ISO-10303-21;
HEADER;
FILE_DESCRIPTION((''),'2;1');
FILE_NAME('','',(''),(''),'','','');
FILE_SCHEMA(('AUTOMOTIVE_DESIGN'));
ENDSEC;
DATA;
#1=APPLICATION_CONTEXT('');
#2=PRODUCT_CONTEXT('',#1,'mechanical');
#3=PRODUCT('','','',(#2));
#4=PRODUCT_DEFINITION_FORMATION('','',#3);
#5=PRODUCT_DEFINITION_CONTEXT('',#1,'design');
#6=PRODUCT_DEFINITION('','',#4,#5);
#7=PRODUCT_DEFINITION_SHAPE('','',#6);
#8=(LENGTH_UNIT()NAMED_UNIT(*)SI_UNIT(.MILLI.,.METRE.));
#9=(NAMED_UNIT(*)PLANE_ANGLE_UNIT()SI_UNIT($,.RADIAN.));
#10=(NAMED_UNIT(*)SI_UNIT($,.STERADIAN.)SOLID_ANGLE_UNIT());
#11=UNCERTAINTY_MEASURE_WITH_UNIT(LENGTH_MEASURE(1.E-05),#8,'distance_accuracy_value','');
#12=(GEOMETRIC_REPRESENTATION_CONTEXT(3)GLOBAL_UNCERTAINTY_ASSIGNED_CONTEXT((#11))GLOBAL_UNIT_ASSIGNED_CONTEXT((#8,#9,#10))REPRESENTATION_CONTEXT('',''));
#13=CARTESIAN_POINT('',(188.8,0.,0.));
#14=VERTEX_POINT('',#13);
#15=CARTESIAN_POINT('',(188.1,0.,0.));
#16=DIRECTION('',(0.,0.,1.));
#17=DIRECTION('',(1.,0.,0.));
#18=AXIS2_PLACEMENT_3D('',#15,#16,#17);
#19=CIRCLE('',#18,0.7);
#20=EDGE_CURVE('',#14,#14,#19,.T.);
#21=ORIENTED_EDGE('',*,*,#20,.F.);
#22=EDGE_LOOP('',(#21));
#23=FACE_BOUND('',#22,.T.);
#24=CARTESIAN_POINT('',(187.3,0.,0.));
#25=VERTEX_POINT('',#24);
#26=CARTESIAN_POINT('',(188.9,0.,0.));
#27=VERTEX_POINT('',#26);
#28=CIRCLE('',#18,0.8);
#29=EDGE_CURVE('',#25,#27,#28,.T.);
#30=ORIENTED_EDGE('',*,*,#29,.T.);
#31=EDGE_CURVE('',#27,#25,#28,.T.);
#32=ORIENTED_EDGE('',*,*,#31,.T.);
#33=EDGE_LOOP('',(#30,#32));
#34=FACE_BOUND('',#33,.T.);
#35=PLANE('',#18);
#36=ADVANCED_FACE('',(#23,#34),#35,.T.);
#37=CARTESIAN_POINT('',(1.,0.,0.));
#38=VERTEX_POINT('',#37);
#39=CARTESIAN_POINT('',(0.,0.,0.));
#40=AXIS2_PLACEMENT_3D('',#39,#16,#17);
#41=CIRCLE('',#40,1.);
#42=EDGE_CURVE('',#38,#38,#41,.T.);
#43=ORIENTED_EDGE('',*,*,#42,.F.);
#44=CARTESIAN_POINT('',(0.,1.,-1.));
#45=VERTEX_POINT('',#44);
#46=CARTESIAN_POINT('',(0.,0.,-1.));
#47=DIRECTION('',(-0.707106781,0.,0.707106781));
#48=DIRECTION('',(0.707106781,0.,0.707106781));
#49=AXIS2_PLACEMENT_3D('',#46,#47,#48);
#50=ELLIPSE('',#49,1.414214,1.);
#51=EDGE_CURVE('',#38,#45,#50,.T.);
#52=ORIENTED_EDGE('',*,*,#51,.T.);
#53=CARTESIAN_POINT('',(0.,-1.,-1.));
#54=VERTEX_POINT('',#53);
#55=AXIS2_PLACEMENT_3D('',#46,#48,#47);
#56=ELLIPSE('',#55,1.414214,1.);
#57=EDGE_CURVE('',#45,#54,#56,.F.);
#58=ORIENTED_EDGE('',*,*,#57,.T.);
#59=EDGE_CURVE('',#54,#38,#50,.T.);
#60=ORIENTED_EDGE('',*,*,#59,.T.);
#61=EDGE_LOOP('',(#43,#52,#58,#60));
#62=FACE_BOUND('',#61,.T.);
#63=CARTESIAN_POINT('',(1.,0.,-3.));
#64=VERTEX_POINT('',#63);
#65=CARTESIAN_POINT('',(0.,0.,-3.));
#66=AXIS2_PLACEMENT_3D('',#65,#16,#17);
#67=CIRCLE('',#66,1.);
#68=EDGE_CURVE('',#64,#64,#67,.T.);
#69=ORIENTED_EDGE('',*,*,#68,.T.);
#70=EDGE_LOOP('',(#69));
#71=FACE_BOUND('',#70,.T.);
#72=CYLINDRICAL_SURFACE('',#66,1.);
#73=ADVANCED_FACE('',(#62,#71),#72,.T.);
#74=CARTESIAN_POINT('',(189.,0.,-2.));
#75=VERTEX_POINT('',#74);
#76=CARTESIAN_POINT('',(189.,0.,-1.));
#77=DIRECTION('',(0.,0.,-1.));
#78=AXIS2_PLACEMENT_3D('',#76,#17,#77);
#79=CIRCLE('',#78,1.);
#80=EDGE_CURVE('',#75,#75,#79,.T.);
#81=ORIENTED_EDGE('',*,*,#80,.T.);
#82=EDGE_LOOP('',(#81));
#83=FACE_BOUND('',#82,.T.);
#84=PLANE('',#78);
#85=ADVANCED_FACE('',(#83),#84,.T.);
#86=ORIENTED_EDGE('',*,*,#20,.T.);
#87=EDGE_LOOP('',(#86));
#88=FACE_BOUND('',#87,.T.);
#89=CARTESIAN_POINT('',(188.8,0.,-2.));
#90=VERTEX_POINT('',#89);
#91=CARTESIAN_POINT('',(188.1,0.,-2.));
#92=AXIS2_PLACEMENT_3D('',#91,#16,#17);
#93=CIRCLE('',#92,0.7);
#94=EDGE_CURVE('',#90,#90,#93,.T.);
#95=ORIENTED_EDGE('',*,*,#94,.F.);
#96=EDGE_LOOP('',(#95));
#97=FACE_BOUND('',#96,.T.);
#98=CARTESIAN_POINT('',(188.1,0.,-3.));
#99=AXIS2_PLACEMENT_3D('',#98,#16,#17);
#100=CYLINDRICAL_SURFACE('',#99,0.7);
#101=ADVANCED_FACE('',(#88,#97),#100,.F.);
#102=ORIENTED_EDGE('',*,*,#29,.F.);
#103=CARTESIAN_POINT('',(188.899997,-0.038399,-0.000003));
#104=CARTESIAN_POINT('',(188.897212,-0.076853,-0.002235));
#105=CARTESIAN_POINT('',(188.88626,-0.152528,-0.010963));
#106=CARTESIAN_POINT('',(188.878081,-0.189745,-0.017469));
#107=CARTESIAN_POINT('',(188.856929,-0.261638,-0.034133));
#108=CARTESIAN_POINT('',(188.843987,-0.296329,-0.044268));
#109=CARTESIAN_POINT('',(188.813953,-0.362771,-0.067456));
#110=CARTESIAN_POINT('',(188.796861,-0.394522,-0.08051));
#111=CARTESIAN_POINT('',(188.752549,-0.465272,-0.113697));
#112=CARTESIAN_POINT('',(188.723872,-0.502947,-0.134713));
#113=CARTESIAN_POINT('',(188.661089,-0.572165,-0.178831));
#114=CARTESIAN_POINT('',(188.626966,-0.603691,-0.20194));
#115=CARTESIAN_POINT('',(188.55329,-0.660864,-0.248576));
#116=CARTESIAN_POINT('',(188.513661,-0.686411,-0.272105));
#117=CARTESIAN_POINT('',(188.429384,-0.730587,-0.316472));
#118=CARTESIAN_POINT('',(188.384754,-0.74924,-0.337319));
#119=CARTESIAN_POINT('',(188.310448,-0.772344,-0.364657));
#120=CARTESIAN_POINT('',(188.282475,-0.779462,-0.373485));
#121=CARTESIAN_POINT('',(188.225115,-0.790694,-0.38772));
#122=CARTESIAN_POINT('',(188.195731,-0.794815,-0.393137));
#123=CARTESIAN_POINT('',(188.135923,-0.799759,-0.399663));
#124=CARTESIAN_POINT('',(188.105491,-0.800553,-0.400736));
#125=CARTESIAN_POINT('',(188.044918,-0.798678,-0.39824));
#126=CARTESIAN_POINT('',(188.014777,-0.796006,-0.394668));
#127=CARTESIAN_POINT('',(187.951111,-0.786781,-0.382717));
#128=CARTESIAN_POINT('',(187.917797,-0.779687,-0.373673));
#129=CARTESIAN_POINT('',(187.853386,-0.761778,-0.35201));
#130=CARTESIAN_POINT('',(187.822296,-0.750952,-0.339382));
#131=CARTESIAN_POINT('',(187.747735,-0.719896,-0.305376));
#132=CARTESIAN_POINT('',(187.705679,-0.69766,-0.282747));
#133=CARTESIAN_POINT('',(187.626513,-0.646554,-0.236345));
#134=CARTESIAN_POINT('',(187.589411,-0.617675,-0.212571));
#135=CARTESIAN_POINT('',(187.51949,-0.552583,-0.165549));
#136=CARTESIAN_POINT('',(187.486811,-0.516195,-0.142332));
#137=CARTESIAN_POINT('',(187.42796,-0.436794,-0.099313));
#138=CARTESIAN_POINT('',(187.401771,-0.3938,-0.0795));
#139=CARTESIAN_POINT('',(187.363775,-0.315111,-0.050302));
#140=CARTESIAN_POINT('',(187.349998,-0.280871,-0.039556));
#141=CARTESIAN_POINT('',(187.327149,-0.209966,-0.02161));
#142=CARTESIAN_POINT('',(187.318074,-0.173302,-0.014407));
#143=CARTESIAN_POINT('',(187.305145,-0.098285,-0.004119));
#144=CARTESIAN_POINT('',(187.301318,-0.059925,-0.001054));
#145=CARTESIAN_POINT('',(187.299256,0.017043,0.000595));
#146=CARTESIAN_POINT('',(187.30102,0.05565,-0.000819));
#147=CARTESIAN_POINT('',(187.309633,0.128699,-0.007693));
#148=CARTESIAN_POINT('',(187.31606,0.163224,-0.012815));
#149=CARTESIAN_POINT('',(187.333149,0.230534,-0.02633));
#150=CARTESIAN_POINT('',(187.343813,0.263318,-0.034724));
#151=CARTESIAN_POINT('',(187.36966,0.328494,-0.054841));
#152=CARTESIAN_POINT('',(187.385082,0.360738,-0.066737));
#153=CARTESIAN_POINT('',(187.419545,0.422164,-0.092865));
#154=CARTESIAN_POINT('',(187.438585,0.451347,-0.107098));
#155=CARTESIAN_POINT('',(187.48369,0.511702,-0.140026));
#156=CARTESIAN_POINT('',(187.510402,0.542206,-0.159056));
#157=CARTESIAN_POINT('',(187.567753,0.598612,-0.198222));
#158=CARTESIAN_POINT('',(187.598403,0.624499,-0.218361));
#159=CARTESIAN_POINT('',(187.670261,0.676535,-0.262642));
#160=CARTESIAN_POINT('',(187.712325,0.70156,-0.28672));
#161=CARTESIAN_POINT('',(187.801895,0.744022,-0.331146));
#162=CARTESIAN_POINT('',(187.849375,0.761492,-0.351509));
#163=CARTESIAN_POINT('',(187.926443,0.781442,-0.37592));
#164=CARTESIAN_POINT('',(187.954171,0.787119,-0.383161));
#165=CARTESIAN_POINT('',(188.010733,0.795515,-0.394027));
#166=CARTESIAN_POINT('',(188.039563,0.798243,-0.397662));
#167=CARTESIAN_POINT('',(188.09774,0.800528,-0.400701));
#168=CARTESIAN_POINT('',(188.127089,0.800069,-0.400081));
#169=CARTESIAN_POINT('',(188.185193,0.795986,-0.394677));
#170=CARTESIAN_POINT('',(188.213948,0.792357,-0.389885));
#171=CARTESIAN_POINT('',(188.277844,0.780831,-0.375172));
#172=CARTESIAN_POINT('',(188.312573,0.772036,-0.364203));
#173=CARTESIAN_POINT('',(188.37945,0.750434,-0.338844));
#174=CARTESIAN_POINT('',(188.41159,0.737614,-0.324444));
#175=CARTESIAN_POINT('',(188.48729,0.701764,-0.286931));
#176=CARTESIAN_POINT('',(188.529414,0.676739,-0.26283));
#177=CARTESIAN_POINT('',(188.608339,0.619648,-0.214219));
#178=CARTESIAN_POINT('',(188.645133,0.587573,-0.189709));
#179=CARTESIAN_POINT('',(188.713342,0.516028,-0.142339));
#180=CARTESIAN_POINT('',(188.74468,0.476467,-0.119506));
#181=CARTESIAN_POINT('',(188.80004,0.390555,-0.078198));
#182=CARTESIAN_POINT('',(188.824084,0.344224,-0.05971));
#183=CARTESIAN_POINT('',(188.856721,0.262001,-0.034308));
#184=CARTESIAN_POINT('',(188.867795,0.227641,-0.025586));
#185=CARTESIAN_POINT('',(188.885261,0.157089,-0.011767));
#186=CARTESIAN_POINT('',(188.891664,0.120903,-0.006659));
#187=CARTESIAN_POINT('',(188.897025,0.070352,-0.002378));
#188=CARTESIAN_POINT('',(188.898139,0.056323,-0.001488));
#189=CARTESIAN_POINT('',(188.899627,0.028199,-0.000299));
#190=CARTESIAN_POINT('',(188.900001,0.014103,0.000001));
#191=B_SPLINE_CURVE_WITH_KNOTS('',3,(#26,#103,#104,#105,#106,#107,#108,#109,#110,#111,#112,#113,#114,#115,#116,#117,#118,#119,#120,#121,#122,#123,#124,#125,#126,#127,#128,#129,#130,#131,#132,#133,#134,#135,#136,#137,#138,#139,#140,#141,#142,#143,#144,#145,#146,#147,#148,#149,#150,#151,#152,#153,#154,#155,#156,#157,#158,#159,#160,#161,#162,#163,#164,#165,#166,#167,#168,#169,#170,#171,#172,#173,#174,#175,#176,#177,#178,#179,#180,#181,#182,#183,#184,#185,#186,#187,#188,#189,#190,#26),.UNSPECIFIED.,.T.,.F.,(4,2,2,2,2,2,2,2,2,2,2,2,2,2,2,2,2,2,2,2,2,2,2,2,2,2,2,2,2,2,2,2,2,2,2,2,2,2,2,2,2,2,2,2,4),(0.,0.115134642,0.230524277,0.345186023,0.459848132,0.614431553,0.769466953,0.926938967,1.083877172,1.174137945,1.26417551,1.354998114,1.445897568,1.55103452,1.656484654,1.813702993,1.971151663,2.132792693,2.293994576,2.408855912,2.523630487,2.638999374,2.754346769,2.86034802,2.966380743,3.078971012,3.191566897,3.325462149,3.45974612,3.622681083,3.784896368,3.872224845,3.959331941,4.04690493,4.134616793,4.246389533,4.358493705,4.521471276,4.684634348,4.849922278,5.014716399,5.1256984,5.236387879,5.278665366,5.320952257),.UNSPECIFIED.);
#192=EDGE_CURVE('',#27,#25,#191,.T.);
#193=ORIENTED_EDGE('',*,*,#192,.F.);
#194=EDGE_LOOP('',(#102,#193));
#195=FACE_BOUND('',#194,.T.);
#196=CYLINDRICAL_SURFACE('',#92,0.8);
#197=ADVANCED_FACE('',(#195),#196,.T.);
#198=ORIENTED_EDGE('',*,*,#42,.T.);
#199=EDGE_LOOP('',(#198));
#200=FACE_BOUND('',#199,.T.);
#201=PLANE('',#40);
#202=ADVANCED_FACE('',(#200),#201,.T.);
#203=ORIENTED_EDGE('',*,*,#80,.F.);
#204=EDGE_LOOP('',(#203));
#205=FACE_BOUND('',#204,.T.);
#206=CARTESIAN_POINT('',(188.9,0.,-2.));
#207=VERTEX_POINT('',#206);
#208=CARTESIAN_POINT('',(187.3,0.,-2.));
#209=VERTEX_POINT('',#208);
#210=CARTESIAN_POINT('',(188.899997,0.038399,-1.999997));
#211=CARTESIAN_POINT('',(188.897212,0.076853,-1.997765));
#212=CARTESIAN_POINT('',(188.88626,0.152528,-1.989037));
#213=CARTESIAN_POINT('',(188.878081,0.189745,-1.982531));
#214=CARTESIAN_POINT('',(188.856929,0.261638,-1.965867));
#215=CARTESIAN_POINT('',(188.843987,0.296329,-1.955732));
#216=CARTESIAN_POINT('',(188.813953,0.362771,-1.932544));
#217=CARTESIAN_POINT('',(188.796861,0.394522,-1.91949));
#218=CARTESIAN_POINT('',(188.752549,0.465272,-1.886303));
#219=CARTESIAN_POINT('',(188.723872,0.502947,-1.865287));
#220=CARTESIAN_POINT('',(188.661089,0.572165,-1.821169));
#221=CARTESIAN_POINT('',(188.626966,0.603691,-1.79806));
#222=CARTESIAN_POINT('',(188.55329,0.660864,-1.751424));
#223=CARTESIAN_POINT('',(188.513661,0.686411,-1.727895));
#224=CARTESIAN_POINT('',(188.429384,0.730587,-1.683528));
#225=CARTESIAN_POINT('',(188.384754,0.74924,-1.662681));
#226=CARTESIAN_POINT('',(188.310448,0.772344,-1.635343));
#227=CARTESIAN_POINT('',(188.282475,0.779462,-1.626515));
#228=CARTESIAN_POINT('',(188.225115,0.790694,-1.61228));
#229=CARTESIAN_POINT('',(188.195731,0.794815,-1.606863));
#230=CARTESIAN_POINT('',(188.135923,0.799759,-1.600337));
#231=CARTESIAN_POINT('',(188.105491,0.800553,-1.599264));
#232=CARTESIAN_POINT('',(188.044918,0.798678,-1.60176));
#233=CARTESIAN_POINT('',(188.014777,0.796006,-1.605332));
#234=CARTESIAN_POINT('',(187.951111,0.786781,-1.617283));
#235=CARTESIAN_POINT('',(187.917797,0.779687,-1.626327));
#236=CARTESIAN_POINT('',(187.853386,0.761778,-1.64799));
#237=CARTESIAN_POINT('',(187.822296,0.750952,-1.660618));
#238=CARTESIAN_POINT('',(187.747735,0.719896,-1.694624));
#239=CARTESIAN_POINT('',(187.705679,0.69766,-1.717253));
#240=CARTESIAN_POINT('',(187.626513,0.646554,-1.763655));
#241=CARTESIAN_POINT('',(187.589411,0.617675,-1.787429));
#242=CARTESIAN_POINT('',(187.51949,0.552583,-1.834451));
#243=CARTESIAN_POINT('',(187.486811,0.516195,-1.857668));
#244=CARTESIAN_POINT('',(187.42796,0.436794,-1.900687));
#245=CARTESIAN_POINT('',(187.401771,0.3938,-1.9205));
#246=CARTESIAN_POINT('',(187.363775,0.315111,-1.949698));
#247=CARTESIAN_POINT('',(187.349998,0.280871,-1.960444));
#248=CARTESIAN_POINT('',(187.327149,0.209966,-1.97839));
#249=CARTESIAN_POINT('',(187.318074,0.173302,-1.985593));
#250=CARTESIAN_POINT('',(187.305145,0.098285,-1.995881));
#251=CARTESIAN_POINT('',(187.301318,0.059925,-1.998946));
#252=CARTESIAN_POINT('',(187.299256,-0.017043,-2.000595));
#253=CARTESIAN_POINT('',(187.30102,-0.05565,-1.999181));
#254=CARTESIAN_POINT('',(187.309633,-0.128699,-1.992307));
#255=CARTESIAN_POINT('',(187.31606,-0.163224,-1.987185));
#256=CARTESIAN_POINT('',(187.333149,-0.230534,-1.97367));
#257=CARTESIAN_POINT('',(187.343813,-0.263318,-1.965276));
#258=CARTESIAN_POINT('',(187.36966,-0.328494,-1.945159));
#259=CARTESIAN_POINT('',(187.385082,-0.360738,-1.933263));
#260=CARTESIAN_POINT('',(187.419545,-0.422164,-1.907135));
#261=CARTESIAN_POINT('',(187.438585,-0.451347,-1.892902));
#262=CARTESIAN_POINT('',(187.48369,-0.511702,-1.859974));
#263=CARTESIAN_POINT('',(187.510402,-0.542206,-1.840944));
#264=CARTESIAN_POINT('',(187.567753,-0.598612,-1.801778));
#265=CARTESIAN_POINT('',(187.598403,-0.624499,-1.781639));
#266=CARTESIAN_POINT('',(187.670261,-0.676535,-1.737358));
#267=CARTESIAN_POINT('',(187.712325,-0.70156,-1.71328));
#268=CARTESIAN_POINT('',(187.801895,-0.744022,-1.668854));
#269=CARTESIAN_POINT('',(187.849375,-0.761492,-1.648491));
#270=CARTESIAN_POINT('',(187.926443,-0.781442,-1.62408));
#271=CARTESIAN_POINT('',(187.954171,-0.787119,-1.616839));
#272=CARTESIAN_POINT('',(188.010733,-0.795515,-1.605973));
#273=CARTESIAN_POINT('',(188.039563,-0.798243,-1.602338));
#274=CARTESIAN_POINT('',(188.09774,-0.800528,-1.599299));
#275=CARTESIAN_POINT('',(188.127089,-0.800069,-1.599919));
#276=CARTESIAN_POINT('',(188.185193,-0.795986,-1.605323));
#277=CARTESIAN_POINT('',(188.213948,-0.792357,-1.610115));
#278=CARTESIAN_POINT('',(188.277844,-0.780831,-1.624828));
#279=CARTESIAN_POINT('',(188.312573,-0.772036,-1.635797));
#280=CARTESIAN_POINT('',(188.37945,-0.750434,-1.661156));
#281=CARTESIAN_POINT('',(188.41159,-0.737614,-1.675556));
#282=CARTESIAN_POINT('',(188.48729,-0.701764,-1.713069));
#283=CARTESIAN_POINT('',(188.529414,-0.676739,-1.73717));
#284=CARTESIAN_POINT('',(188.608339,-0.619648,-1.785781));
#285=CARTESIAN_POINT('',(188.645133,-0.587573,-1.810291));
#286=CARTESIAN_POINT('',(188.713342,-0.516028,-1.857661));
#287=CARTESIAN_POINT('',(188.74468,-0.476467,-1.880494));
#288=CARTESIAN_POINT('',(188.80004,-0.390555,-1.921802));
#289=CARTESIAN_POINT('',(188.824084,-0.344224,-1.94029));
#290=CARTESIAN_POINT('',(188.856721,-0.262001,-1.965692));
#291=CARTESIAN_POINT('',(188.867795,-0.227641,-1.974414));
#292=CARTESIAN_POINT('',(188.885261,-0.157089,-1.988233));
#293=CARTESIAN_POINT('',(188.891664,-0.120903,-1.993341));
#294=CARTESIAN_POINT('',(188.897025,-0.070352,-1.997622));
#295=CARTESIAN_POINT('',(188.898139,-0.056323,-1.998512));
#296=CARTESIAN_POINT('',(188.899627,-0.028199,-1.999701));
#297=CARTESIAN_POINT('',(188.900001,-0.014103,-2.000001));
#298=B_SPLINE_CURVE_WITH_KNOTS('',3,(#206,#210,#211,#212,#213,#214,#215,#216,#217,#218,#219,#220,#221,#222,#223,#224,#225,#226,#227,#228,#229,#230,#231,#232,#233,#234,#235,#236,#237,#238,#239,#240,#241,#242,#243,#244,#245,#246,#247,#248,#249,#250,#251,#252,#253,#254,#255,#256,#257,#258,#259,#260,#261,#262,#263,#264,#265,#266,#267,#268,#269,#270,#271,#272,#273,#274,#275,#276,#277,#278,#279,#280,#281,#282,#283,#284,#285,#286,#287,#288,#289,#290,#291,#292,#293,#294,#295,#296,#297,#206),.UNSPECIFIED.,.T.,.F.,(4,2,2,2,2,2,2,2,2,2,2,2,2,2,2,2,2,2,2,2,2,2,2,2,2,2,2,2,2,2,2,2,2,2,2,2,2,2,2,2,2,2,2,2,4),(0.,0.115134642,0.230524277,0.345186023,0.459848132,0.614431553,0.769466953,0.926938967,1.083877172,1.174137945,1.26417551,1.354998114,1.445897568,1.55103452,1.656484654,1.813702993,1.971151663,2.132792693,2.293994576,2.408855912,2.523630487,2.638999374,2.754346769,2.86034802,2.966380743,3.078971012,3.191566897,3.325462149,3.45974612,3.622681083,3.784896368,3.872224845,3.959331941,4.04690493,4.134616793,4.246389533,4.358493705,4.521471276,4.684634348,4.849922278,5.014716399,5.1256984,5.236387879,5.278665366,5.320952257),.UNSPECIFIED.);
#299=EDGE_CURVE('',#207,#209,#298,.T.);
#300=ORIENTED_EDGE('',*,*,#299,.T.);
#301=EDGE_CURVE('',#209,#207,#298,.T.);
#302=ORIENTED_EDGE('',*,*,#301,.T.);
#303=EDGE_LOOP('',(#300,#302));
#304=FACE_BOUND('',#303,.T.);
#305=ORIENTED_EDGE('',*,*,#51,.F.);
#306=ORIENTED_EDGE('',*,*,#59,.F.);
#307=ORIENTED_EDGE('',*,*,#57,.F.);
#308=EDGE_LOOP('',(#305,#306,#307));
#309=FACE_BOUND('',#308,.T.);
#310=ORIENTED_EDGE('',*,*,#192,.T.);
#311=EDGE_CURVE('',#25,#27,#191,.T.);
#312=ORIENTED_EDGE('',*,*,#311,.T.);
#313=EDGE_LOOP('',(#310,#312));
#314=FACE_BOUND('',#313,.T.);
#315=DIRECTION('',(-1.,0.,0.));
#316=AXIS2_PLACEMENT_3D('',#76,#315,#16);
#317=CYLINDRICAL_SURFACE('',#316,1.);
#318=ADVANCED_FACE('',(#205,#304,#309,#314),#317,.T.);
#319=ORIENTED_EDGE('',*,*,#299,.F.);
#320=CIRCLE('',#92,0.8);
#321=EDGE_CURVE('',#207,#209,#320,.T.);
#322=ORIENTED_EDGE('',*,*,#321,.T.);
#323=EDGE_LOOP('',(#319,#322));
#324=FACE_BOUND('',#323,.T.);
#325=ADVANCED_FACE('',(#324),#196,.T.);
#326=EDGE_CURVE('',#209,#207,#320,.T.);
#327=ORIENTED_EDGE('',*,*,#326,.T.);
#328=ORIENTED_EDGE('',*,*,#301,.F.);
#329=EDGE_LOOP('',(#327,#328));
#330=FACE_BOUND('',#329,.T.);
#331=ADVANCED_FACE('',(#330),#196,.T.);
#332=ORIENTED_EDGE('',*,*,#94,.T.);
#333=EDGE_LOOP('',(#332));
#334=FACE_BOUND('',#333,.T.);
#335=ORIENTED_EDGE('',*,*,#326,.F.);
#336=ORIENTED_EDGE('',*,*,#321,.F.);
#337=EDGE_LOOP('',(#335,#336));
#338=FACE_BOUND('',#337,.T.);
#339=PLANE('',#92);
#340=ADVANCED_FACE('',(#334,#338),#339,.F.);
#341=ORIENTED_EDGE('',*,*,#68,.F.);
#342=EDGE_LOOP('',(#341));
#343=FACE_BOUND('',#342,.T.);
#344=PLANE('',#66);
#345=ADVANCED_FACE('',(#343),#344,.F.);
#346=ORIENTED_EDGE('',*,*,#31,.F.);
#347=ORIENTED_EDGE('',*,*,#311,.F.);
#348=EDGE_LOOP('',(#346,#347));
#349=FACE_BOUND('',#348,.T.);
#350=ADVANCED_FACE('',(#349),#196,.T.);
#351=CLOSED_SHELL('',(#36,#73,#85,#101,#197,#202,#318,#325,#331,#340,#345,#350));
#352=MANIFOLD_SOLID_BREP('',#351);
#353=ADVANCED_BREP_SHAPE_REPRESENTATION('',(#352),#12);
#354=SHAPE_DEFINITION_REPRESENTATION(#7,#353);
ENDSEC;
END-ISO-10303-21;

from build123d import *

# Parameters (mm, degrees)
SKETCH_1_R          = 1
EXTRUDE_1_DEPTH     = 3
SKETCH_2_R          = 1
EXTRUDE_2_DEPTH     = 189
SKETCH_3_R          = 0.8
EXTRUDE_3_DEPTH     = 2
SKETCH_4_R          = 0.7
CUT_EXTRUDE_1_DEPTH = 4


with BuildPart() as part:
    # 草图1 → 凸台-拉伸1 (new body)
    with BuildSketch(Plane.XY):
        Circle(SKETCH_1_R)
    extrude(amount=-EXTRUDE_1_DEPTH)

    # 草图2 → 凸台-拉伸2 (add)
    with BuildSketch(Plane(origin=(0, 0, 0), x_dir=(0, 0, -1), z_dir=(1, 0, 0))):
        with Locations((1, 0)):
            Circle(SKETCH_2_R)
    extrude(amount=EXTRUDE_2_DEPTH)

    # 草图3 → 凸台-拉伸3 (add)
    with BuildSketch(Plane.XY):
        with Locations((188.1, 0)):
            Circle(SKETCH_3_R)
    extrude(amount=-EXTRUDE_3_DEPTH)

    # 草图4 → 切除-拉伸1 (cut, through all)
    with BuildSketch(Plane.XY):
        with Locations((188.1, 0)):
            Circle(SKETCH_4_R)
    extrude(amount=-CUT_EXTRUDE_1_DEPTH, mode=Mode.SUBTRACT)


solid = part.part
